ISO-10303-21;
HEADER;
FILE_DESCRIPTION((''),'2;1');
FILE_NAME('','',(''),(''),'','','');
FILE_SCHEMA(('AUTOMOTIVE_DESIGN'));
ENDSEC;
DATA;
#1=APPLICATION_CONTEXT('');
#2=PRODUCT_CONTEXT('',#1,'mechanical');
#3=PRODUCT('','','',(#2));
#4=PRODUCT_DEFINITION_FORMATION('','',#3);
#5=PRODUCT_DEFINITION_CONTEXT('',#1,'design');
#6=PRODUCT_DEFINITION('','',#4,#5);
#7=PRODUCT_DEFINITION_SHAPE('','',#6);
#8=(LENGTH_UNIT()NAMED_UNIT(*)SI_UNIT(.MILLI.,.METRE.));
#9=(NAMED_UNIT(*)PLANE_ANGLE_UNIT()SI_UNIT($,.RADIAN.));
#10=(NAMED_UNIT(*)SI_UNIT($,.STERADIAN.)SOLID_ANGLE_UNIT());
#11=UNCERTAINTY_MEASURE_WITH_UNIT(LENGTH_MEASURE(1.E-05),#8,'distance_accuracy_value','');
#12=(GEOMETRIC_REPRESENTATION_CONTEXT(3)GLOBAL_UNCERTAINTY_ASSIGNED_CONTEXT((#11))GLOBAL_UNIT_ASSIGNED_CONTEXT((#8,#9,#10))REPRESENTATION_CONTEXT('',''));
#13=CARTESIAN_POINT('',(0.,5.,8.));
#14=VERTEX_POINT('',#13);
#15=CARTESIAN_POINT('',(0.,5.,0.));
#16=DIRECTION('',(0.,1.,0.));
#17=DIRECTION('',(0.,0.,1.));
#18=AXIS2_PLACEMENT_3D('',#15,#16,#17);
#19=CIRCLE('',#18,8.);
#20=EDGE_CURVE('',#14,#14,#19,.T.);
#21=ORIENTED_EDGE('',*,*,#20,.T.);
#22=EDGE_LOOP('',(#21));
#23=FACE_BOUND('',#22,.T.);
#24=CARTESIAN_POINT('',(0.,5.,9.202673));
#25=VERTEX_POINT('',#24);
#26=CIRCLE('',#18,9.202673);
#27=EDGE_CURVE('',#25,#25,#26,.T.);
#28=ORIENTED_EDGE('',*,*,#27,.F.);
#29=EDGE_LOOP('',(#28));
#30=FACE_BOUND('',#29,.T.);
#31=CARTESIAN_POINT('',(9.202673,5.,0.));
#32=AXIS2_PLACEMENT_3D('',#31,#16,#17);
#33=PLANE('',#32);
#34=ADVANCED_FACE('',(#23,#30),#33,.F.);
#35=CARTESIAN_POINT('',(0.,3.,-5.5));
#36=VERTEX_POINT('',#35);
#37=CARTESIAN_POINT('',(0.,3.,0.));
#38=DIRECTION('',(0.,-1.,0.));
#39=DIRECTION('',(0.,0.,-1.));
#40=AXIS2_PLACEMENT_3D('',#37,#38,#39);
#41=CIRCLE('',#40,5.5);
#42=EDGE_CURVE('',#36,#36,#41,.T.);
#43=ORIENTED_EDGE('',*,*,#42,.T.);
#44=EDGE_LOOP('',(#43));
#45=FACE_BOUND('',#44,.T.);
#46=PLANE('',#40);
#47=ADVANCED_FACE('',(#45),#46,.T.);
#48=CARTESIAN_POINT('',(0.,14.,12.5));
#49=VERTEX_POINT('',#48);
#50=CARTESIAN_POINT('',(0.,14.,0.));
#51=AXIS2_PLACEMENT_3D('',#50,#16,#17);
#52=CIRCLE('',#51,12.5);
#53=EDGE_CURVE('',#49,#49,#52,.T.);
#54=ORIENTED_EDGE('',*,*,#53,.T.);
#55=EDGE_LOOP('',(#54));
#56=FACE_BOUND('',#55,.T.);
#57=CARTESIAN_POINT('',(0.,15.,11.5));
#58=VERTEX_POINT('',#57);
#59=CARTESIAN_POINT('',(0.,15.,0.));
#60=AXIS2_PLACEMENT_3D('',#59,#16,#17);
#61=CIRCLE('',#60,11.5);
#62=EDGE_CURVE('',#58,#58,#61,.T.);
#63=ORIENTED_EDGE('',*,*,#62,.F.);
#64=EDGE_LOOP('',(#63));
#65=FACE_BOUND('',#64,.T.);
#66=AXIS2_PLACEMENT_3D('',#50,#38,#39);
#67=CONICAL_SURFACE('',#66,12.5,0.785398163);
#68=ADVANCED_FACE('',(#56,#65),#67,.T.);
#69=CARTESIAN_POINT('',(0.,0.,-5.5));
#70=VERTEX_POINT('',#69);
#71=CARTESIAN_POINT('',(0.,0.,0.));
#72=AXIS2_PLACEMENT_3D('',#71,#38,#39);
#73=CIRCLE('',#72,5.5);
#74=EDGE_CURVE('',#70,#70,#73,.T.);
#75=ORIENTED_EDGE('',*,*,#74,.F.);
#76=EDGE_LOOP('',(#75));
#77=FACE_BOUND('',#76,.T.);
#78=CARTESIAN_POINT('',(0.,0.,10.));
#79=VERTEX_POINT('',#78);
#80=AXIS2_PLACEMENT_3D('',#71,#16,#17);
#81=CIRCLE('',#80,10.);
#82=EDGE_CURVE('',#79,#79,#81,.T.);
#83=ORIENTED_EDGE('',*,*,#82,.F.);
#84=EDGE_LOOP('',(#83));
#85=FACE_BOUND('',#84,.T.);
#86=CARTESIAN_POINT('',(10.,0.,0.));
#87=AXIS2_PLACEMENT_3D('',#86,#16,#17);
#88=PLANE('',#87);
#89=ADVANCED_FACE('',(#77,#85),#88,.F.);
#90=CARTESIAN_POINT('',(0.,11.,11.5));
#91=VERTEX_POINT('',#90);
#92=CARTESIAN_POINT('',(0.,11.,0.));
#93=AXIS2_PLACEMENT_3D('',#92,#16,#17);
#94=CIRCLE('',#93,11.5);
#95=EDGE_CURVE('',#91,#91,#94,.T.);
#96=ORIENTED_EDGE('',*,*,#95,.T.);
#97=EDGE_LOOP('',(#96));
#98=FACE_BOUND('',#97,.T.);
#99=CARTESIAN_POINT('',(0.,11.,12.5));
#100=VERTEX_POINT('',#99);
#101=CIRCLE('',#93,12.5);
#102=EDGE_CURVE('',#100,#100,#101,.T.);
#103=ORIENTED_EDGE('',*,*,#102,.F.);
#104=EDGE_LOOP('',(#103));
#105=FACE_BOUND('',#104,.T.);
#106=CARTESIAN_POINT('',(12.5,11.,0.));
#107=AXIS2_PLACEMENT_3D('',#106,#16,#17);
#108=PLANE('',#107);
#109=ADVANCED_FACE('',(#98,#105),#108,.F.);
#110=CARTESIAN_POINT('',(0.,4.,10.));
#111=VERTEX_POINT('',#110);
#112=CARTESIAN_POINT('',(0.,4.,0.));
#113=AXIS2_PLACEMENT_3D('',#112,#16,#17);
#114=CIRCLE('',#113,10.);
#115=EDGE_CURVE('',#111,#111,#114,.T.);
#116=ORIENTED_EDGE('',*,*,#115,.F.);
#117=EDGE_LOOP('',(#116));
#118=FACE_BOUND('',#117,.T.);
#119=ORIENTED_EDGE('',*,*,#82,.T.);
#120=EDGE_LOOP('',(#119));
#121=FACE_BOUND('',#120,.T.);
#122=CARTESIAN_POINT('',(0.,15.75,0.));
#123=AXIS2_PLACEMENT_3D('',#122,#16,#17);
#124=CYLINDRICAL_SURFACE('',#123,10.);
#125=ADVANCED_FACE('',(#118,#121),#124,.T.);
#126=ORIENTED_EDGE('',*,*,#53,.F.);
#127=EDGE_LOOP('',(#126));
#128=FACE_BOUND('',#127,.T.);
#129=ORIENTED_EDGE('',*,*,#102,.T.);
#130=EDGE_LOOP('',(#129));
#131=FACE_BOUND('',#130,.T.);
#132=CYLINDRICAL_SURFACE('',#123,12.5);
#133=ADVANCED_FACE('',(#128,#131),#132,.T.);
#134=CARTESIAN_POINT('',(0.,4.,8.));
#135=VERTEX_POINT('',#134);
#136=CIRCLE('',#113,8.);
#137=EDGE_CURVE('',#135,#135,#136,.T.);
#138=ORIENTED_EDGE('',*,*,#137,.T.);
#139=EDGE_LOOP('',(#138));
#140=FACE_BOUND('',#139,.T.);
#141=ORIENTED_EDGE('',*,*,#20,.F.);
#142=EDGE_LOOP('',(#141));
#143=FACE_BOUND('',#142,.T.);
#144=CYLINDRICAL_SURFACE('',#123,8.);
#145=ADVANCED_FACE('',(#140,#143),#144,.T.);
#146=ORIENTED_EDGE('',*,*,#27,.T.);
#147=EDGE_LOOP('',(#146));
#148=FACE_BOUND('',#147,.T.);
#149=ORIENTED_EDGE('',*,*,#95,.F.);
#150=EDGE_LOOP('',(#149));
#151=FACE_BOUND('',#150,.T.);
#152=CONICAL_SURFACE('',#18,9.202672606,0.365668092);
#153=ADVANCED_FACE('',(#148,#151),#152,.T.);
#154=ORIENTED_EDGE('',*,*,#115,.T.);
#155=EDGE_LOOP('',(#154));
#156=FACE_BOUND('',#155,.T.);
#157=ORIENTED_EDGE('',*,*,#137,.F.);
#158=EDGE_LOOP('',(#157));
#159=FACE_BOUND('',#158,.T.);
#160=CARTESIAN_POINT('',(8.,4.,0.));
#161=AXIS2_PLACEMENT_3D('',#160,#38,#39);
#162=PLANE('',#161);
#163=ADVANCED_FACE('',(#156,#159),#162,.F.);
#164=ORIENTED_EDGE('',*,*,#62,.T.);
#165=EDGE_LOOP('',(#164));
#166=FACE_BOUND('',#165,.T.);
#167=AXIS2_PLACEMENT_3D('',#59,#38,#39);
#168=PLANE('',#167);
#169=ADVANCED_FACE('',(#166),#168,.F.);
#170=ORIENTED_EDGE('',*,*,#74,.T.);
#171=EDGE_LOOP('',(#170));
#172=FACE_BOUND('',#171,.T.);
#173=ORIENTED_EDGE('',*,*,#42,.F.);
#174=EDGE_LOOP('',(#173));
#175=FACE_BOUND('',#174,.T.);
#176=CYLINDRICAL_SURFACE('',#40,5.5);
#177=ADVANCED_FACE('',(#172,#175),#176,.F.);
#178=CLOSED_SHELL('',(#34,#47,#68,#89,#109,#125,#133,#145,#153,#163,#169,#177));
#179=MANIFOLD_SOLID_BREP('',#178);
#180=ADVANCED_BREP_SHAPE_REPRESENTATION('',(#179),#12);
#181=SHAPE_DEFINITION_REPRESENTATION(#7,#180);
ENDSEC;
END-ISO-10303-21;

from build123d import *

# Parameters (mm, degrees)
SKETCH3_R          = 5.5
CUT_EXTRUDE1_DEPTH = 3


with BuildPart() as part:
    # Sketch2 → Revolve1 (revolve)
    with BuildSketch(Plane.XY):
        Polygon((0, 0), (0, 15), (11.5, 15), (12.5, 14), (12.5, 11), (11.5, 11), (9.202672606, 5), (8, 5), (8, 4), (10, 4), (10, 0), align=None)
    revolve(axis=Axis((0, 15.75, 0), (0, -1, 0)))

    # Sketch3 → Cut-Extrude1 (cut)
    with BuildSketch(Plane.XZ):
        Circle(SKETCH3_R)
    extrude(amount=-CUT_EXTRUDE1_DEPTH, mode=Mode.SUBTRACT)


solid = part.part
